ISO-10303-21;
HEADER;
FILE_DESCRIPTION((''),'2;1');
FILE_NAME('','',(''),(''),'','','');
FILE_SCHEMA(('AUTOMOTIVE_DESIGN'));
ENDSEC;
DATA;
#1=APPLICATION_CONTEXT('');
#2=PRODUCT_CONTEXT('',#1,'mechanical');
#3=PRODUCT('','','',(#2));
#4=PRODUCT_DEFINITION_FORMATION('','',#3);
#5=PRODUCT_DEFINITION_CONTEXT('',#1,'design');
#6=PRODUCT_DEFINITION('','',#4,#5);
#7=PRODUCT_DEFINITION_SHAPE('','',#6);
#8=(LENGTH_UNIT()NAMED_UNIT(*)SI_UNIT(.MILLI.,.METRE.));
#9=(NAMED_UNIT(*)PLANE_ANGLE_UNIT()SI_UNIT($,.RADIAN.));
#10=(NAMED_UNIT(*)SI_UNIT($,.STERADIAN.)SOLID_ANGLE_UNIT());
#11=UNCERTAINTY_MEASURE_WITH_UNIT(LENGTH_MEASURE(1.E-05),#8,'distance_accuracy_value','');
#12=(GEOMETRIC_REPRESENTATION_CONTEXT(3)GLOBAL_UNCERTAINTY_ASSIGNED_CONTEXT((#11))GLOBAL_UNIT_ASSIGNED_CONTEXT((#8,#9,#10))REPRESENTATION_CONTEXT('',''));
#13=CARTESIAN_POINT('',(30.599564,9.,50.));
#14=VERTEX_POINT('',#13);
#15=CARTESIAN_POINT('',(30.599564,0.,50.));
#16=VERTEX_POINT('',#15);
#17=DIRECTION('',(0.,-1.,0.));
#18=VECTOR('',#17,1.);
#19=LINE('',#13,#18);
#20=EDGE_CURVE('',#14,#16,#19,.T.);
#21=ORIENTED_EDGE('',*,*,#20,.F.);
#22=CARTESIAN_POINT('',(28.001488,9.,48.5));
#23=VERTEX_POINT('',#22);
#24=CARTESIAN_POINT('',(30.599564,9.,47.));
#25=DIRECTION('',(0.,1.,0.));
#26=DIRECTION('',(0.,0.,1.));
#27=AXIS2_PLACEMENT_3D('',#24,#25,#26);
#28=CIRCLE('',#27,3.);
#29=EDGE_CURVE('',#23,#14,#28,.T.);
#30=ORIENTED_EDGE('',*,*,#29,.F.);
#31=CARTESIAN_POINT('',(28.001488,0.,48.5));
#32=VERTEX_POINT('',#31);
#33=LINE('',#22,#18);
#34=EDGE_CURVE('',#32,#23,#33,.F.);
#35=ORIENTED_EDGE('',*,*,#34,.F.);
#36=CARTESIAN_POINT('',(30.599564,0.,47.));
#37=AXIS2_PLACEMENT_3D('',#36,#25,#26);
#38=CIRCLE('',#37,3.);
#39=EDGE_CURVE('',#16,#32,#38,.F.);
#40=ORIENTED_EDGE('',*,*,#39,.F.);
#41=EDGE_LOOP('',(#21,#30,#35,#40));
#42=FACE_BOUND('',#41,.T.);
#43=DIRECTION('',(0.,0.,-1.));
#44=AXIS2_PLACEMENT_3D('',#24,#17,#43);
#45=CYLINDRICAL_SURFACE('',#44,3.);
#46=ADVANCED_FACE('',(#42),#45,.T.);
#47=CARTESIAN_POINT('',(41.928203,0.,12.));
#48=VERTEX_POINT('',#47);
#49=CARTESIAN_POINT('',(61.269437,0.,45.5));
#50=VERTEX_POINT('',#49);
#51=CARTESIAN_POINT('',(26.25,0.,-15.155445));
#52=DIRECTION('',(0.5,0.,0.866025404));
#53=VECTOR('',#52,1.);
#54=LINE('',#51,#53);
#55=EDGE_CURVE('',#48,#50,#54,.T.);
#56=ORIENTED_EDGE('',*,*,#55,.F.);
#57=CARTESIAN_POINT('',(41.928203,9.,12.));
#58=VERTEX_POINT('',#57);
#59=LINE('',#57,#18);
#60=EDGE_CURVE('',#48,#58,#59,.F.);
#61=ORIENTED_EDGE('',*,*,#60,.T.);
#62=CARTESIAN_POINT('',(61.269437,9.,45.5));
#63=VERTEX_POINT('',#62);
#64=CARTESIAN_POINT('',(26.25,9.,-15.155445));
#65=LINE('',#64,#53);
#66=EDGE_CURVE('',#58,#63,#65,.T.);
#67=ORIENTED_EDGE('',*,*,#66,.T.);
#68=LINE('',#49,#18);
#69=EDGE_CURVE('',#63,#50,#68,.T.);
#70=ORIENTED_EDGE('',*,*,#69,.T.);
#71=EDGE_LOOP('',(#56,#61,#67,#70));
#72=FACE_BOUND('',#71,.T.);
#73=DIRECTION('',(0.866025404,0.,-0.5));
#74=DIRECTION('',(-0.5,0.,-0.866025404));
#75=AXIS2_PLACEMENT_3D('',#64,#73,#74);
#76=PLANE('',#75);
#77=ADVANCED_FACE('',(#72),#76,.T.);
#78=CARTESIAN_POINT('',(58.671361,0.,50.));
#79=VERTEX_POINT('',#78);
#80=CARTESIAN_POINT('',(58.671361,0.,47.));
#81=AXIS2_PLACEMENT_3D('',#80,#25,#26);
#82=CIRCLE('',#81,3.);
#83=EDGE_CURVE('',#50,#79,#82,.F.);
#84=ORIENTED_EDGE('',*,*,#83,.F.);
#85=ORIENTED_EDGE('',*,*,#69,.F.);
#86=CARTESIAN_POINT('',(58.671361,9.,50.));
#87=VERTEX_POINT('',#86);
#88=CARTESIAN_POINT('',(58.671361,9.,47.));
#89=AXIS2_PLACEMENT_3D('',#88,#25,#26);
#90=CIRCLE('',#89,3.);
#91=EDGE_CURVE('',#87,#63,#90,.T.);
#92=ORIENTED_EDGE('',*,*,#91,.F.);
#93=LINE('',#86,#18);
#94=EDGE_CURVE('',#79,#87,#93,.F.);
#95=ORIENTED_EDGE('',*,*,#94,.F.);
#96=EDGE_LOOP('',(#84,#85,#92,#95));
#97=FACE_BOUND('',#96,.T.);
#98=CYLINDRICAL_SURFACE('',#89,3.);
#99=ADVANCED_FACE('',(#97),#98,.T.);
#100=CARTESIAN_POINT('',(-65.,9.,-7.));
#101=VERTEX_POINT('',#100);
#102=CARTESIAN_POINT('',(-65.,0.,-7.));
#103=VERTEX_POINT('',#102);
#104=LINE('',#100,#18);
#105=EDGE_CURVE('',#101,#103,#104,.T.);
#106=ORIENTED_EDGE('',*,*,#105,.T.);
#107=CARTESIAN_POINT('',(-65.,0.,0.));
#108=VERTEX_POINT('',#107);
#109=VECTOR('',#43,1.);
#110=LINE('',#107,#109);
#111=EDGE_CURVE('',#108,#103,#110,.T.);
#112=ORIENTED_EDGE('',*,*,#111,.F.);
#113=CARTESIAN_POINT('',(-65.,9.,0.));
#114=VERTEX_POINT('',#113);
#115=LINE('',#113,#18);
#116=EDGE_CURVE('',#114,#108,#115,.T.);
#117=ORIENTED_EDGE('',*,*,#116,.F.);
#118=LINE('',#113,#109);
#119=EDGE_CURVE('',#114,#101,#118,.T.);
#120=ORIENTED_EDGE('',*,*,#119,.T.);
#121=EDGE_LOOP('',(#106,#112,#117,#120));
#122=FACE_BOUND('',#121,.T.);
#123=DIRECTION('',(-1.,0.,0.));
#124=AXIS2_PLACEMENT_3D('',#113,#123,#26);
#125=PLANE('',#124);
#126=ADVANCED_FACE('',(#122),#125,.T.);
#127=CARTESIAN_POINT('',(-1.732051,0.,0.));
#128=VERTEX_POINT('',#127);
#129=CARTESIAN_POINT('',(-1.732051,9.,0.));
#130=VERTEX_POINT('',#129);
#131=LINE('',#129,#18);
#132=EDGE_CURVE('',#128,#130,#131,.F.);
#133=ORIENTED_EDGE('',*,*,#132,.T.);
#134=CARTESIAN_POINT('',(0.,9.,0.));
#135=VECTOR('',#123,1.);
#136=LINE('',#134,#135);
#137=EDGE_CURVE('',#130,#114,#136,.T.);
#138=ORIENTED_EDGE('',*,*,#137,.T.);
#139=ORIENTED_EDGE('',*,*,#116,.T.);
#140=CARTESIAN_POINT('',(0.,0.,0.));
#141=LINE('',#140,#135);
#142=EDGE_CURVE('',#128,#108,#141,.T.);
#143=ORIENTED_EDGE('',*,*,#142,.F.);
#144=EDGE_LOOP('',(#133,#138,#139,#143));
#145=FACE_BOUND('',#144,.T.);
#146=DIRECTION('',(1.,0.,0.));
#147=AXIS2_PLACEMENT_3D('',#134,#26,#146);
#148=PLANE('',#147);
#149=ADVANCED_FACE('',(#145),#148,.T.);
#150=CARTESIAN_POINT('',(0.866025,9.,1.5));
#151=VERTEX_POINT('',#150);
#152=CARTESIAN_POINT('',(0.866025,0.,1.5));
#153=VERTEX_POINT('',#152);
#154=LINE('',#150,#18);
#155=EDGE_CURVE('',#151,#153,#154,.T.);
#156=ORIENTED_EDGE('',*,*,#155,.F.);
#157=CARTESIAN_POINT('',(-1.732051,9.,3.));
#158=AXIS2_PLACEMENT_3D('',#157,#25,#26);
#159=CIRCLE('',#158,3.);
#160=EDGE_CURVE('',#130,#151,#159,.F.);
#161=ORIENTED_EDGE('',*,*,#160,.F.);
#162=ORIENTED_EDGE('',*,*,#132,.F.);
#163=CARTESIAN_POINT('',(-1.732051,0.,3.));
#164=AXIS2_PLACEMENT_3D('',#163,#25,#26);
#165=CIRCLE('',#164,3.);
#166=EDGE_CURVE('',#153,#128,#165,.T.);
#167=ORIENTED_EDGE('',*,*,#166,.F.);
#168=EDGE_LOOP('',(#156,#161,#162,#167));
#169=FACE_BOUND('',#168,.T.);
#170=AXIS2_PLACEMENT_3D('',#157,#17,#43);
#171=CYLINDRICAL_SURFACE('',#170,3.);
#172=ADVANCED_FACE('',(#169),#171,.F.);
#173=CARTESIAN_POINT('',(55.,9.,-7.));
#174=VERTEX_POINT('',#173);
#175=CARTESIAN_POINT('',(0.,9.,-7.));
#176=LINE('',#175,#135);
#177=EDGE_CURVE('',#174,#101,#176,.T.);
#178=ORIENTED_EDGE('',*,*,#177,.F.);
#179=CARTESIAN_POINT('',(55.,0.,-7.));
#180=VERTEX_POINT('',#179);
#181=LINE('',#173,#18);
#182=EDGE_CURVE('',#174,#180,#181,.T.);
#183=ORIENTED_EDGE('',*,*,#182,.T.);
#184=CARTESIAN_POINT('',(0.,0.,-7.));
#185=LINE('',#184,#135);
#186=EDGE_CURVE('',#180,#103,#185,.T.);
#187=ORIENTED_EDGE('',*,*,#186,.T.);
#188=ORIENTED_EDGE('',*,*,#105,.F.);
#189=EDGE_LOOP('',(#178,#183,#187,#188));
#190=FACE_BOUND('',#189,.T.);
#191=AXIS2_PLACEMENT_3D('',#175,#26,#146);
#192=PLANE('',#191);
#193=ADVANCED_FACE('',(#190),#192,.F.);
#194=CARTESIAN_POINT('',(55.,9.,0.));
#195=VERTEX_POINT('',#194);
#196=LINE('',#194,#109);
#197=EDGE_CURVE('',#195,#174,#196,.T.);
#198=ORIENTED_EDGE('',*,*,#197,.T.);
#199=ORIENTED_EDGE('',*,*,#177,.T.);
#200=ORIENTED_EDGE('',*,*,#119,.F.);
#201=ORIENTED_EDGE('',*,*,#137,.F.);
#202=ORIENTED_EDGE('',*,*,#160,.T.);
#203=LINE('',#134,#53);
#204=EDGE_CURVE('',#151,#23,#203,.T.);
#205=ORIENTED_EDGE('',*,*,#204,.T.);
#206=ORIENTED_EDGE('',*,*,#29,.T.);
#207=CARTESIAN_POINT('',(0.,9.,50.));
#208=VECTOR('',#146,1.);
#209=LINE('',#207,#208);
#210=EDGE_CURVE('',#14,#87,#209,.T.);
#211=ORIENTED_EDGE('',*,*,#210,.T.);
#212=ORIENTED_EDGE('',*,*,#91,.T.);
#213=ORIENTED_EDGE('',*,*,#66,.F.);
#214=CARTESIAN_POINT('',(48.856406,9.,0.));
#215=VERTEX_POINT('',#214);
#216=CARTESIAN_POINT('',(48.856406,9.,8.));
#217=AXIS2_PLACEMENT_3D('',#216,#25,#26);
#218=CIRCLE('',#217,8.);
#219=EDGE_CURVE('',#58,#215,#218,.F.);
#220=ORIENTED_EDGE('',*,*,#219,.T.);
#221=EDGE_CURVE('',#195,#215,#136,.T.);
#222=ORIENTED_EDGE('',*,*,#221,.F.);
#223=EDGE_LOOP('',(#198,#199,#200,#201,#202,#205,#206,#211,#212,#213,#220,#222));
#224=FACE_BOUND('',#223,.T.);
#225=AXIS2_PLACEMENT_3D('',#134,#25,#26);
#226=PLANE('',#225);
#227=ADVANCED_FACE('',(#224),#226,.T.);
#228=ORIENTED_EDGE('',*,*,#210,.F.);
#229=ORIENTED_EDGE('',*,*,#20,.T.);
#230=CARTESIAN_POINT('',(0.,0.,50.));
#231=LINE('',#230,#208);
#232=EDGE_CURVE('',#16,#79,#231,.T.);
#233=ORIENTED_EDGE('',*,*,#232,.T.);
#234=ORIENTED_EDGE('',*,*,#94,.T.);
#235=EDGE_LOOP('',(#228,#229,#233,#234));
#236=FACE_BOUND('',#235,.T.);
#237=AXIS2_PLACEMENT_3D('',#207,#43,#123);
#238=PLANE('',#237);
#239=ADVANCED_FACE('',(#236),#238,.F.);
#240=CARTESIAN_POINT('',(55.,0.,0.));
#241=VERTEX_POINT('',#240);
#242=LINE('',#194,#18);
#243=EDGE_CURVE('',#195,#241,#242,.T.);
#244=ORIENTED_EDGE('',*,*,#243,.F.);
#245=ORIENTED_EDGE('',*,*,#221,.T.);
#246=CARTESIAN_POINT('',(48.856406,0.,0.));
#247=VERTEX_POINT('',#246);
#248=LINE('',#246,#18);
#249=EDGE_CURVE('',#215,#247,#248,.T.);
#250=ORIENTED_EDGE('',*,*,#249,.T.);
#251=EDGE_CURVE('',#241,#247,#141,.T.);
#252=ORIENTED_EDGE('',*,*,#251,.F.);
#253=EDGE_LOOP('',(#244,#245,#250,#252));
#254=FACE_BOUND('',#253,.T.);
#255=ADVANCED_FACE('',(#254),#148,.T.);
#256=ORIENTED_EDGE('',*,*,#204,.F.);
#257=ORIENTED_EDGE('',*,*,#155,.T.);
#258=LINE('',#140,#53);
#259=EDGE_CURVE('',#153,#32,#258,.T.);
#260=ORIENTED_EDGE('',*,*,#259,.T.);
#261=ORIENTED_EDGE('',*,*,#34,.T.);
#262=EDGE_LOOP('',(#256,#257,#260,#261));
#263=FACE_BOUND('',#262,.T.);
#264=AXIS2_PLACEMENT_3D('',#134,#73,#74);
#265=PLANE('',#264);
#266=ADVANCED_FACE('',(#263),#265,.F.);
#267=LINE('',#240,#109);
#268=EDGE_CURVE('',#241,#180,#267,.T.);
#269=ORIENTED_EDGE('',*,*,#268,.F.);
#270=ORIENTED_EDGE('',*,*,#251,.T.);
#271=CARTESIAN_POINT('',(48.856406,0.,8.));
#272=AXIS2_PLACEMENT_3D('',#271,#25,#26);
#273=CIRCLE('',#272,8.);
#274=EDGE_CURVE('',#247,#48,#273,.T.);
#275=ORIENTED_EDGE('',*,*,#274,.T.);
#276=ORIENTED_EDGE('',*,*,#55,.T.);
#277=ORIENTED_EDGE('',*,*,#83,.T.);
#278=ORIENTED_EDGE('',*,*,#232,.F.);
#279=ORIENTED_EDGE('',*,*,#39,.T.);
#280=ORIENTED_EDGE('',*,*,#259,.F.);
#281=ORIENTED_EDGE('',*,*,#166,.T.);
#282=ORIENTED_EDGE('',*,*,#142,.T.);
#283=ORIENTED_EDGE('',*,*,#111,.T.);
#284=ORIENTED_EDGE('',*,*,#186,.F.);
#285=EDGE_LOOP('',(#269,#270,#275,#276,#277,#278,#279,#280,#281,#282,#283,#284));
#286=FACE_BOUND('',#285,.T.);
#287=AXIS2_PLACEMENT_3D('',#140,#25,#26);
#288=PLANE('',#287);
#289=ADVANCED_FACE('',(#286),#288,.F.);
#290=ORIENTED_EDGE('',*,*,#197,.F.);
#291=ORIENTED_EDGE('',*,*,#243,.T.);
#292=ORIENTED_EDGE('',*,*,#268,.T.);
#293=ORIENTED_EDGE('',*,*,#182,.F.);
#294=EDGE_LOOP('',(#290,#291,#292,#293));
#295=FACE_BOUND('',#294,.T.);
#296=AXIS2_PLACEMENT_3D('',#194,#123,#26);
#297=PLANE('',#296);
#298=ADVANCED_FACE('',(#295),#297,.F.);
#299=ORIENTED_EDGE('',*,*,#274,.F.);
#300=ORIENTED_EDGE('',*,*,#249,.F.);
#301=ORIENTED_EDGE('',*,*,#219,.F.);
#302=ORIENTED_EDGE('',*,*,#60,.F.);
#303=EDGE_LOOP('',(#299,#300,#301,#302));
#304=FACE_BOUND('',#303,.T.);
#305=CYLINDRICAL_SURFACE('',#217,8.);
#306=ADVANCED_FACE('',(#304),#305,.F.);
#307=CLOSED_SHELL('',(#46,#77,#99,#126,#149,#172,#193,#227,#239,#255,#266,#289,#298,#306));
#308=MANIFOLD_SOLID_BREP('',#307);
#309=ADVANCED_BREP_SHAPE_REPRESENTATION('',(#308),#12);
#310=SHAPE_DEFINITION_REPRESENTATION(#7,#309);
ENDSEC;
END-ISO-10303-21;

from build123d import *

# Parameters (mm, degrees)
BOSS_EXTRUDE1_DEPTH = 9
FILLET1_R           = 8
FILLET2_R           = 3


with BuildPart() as part:
    # Sketch1 → Boss-Extrude1 (new body)
    with BuildSketch(Plane(origin=(0, 0, 0), x_dir=(1, 0, 0), z_dir=(0, 1, 0))):
        Polygon((35, 0), (63.867513459, -50), (28.867513459, -50), (0, 0), align=None)
        Polygon((-65, 0), (0, 0), (35, 0), (55, 0), (55, 7), (-65, 7), align=None)
    extrude(amount=BOSS_EXTRUDE1_DEPTH)

    # Fillet1
    fillet1_edges = [part.edges().sort_by_distance(p)[0] for p in [
        (35, 4.5, 0),
    ]]
    fillet(fillet1_edges, radius=FILLET1_R)

    # Fillet2
    fillet2_edges = [part.edges().sort_by_distance(p)[0] for p in [
        (63.867513459, 4.5, 50),
        (28.867513459, 4.5, 50),
        (0, 4.5, 0),
    ]]
    fillet(fillet2_edges, radius=FILLET2_R)


solid = part.part
